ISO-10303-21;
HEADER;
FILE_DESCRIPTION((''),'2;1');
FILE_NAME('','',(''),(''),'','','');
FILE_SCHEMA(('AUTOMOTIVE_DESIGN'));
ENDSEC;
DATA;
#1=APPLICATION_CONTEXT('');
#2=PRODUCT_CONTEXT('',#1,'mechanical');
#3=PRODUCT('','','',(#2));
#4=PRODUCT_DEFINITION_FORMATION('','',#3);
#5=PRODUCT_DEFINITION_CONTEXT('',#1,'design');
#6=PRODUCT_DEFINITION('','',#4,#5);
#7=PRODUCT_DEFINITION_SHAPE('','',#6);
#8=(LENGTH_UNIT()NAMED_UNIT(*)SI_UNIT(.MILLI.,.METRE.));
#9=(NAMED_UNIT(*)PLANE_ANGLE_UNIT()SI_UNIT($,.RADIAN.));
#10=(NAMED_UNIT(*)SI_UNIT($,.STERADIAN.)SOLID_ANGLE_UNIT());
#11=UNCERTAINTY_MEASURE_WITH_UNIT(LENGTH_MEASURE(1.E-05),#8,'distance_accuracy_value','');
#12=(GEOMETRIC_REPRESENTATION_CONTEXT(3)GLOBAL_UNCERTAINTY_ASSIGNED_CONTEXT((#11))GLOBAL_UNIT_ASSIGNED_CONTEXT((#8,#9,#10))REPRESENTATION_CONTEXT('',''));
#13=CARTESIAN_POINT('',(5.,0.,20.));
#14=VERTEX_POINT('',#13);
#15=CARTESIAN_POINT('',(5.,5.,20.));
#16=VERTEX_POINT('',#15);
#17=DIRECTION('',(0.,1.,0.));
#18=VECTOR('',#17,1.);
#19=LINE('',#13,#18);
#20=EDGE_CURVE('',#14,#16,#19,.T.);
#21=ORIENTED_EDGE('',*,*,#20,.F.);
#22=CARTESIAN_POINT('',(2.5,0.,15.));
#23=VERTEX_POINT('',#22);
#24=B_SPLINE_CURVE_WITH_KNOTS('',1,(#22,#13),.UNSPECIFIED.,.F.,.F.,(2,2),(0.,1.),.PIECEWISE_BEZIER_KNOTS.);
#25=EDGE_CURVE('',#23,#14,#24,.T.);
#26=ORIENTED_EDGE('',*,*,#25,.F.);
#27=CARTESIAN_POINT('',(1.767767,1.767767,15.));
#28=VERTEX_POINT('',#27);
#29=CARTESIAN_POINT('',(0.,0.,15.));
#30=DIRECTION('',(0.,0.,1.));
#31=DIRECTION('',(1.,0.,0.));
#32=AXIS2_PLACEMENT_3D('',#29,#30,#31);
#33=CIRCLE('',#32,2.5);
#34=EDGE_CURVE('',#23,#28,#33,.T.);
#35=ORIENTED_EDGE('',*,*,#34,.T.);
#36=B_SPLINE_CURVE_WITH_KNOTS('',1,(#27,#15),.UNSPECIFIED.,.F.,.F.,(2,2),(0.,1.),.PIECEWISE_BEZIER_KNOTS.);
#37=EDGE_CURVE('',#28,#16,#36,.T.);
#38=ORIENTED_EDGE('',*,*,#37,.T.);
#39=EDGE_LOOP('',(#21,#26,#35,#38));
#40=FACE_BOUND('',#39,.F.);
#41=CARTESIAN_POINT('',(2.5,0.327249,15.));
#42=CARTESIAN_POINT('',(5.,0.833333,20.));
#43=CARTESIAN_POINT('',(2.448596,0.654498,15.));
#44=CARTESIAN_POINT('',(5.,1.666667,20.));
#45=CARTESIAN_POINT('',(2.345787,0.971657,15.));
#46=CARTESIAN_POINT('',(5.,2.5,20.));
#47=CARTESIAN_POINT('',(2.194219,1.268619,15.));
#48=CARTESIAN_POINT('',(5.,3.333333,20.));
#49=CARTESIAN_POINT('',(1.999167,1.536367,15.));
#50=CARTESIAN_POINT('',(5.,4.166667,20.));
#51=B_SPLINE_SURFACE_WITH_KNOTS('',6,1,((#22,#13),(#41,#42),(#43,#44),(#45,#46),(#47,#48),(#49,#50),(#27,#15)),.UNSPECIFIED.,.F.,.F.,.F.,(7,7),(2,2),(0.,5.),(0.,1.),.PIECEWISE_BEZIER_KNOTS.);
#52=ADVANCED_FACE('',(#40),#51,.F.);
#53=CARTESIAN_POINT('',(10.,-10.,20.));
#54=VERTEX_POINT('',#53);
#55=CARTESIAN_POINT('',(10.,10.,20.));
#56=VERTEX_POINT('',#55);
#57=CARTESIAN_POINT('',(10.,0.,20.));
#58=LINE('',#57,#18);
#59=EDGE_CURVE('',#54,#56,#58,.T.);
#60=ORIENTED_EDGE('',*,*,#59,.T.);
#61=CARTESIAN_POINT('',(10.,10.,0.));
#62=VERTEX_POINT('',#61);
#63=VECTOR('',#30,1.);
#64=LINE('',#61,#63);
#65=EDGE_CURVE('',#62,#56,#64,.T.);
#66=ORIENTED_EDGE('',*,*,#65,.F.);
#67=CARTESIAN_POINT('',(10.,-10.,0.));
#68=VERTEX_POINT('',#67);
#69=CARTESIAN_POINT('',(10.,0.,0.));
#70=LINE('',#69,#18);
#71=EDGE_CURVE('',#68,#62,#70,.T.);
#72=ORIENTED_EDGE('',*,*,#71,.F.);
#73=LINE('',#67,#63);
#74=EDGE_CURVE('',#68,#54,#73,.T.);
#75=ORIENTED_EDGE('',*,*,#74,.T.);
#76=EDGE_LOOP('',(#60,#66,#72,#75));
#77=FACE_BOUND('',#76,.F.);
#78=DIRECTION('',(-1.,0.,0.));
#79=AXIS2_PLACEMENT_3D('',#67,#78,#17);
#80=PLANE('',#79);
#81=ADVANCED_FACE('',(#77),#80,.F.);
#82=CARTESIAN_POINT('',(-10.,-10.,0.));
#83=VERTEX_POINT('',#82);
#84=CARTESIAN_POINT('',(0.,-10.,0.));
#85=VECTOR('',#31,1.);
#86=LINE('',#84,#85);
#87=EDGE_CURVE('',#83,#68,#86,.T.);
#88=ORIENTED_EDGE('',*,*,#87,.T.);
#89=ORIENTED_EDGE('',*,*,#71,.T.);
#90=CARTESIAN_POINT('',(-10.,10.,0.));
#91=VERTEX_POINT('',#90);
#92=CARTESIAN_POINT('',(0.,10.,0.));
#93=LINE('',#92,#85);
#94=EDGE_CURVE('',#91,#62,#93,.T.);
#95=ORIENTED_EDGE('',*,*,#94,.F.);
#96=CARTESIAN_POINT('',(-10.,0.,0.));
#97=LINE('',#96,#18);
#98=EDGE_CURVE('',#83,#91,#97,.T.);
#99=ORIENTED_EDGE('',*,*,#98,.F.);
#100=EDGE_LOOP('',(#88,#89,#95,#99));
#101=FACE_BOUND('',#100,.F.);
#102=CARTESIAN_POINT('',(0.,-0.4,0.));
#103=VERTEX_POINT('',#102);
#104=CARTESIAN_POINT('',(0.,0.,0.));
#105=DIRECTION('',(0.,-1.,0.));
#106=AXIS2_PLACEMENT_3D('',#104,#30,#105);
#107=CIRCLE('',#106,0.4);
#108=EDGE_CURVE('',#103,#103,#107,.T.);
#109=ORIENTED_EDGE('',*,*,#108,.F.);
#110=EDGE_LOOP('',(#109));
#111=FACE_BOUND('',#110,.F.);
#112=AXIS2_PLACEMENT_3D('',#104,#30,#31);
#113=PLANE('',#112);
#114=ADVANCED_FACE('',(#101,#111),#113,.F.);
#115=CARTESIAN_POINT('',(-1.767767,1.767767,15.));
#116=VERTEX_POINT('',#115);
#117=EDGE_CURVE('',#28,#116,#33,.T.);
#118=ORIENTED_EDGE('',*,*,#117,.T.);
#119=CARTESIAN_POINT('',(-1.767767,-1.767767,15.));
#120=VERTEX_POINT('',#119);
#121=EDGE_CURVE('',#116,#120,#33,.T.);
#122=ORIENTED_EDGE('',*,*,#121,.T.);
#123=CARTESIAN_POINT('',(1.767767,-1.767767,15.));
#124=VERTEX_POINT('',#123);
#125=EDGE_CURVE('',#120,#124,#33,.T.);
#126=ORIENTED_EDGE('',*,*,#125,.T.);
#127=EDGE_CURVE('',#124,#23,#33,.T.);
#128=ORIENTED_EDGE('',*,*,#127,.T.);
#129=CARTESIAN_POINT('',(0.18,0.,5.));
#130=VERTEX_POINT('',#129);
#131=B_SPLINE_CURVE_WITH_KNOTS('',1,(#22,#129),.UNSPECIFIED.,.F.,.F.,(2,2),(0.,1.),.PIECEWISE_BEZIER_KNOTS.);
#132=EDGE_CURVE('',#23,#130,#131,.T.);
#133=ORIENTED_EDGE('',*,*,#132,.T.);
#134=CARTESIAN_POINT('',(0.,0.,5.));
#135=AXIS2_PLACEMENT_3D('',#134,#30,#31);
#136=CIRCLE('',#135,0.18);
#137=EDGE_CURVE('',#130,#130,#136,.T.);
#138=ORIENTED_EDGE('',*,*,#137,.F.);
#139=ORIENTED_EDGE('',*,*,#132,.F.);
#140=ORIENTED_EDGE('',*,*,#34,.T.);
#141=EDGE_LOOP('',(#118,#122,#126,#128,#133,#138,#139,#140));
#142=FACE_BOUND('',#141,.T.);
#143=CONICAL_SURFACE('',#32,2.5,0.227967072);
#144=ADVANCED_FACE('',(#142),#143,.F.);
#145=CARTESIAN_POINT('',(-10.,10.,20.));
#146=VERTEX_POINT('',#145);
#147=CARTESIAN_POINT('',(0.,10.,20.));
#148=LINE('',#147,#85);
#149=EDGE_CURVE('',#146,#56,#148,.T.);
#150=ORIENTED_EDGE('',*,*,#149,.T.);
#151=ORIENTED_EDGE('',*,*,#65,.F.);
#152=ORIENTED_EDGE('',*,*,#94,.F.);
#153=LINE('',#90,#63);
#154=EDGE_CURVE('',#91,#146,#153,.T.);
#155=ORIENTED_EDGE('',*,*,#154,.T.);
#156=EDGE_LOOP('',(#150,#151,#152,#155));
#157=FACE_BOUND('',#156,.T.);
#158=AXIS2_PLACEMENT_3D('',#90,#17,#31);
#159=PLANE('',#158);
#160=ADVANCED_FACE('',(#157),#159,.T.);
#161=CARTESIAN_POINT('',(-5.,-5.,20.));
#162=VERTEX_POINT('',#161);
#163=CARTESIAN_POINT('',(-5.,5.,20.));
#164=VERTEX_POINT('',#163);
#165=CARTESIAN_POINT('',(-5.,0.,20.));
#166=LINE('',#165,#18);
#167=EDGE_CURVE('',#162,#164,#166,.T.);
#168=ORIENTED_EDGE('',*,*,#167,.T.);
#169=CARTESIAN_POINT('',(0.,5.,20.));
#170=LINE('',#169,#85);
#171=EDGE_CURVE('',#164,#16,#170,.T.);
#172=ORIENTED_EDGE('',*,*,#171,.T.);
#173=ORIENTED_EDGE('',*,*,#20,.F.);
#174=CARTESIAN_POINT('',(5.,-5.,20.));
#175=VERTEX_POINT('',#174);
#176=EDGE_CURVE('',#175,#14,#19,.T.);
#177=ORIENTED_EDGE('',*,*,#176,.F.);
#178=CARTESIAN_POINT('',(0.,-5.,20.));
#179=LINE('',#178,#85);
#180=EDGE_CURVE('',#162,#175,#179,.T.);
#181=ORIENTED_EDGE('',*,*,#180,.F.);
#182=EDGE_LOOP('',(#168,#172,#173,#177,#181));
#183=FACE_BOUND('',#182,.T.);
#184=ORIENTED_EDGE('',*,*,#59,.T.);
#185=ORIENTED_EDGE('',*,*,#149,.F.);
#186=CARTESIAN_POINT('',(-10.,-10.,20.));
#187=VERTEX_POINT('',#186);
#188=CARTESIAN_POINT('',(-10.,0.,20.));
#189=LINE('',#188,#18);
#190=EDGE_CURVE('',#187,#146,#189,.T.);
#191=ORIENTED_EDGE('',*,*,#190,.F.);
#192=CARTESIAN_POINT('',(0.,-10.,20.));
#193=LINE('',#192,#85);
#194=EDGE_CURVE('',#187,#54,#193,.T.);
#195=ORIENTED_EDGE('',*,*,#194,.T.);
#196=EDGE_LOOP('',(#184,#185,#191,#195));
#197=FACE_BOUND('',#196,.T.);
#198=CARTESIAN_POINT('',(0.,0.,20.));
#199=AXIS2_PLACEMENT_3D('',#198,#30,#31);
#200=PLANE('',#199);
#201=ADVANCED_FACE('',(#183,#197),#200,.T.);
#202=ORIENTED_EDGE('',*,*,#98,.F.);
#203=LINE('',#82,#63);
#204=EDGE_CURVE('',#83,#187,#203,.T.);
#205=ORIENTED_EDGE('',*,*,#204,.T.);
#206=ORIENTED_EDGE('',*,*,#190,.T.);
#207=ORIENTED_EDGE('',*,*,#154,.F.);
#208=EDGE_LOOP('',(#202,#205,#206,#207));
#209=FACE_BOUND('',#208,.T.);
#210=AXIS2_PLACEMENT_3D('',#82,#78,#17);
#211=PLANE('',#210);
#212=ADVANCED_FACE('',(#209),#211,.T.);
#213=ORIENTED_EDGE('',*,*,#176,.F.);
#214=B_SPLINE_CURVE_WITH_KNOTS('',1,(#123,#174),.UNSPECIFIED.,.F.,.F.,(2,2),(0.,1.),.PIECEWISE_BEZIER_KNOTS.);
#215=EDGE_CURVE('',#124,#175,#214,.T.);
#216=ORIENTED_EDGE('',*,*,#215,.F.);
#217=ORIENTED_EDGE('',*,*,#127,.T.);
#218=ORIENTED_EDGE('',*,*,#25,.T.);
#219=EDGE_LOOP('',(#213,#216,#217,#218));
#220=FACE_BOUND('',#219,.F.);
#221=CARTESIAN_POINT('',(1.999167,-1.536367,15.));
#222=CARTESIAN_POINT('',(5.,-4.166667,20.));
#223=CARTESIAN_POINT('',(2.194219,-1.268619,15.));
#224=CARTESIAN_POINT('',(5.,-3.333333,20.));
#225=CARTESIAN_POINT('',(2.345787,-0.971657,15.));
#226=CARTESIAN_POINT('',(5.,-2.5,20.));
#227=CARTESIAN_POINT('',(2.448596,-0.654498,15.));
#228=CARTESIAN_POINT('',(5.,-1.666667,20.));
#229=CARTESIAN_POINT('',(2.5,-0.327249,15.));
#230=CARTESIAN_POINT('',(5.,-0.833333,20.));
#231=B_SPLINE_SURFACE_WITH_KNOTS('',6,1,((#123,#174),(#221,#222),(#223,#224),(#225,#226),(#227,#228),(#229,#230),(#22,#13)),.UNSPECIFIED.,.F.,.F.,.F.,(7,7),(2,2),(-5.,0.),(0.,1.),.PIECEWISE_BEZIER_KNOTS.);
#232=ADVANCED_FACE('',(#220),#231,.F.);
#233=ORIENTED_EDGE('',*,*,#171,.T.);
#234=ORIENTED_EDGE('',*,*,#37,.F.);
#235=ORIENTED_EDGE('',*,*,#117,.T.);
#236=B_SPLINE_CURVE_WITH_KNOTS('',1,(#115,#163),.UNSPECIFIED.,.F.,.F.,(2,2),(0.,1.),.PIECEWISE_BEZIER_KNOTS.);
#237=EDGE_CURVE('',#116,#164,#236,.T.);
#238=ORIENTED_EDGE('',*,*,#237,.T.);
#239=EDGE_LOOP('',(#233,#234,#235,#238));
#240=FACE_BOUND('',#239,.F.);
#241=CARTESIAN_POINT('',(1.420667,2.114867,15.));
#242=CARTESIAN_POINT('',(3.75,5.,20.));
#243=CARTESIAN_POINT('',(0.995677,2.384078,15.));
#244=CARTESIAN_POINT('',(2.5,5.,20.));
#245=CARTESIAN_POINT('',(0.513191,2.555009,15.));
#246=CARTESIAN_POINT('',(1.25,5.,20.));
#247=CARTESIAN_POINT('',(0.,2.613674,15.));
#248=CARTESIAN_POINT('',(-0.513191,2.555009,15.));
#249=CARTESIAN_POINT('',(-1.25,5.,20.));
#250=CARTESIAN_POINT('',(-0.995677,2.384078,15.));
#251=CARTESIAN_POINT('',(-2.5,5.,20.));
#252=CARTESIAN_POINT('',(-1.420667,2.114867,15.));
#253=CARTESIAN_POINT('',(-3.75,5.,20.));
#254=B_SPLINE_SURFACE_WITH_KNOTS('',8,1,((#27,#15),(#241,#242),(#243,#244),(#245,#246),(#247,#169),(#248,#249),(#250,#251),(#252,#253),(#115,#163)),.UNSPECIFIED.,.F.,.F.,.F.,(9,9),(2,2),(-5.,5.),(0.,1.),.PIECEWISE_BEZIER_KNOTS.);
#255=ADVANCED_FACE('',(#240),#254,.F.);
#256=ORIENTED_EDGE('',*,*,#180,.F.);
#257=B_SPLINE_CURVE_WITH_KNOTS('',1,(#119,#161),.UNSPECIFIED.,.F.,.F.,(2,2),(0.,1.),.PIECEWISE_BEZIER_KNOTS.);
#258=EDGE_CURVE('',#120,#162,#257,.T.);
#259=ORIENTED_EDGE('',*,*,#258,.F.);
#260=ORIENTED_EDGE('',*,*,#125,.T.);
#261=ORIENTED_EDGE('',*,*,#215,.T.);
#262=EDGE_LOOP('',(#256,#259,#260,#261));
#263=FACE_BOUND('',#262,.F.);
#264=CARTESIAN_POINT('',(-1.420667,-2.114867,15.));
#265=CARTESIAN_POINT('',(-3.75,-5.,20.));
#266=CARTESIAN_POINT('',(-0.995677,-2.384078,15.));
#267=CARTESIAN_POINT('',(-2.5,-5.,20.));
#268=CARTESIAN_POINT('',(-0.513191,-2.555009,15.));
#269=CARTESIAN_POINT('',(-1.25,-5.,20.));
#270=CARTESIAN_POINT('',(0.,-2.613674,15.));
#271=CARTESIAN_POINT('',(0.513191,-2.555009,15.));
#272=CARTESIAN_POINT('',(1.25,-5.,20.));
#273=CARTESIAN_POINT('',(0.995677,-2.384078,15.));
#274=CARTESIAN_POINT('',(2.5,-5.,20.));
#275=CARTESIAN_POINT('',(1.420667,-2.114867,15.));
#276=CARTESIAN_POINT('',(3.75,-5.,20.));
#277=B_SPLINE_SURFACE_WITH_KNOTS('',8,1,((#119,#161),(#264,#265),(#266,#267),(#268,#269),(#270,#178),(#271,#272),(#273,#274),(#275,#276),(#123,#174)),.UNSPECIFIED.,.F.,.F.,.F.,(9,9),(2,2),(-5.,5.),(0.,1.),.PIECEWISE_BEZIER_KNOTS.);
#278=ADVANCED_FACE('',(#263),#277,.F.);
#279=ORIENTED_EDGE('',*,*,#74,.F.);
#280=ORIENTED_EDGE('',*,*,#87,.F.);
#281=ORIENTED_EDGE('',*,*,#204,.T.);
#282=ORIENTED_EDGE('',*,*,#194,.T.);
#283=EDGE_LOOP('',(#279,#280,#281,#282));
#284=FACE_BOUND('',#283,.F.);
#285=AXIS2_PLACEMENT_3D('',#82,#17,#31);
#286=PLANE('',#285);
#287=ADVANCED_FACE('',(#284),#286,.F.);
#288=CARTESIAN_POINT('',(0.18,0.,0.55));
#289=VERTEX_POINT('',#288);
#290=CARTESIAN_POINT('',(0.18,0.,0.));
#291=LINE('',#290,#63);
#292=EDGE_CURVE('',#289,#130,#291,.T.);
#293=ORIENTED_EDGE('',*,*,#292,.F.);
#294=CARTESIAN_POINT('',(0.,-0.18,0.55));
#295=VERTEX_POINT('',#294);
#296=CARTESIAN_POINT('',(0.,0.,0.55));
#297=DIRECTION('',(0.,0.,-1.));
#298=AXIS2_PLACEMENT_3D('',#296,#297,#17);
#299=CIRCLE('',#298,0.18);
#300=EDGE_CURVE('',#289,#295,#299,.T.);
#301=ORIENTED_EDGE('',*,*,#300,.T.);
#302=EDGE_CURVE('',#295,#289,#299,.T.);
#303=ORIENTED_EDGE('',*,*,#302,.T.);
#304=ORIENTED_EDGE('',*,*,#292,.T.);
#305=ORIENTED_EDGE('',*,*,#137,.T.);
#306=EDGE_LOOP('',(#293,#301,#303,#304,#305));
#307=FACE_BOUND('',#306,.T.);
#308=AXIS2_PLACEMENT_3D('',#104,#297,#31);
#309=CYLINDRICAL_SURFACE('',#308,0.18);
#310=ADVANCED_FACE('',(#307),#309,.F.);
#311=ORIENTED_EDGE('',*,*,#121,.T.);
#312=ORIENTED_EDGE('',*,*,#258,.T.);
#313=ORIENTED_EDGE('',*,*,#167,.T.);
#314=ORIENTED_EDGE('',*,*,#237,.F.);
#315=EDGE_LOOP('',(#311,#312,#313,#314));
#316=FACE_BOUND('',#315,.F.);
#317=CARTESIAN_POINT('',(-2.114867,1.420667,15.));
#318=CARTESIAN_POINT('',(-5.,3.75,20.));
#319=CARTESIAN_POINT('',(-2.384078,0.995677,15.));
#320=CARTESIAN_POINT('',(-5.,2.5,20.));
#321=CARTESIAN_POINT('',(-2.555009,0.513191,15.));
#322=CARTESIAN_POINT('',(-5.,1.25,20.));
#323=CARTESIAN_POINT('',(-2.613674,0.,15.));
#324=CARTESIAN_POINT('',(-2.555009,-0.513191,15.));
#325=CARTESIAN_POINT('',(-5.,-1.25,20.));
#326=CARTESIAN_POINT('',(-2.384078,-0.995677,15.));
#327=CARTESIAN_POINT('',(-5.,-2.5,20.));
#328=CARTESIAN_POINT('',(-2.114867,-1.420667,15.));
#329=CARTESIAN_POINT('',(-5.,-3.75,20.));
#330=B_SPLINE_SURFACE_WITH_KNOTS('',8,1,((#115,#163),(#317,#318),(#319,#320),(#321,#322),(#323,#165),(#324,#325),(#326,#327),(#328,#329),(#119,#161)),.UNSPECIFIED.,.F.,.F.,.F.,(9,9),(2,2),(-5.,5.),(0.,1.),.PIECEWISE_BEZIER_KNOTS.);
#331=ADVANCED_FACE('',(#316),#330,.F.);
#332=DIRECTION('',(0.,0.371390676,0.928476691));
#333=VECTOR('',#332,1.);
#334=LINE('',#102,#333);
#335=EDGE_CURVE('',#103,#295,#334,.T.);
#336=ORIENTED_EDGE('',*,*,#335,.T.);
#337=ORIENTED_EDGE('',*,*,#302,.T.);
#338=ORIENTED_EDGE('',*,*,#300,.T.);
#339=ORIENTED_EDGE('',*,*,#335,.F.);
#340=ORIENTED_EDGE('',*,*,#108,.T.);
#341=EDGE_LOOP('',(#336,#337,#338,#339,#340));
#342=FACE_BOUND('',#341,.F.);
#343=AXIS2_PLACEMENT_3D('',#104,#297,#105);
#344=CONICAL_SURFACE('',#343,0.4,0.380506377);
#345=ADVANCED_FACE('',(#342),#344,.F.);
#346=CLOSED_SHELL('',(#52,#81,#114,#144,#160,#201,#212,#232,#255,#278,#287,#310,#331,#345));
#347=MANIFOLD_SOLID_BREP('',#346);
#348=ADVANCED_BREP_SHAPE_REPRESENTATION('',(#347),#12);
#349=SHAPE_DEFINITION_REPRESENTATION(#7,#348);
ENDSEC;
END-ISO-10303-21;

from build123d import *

# Parameters (mm, degrees)
F0_W     = 20
F0_H     = 20
F0_R     = 0.18
F1_DEPTH = 20
F4_R     = 2.5
F2_W     = 10
F2_H     = 10
F6_R     = 0.18


with BuildPart() as f1:
    # F0 (on Top) → F1 (new body)
    with BuildSketch(Plane.XY):
        Rectangle(F0_W, F0_H)
        Circle(F0_R, mode=Mode.SUBTRACT)
    extrude(amount=F1_DEPTH)

    # F4 (on offset) → F7 section 0
    with BuildSketch(Plane.XY.offset(15)):
        Circle(F4_R)
    # F2 (on face) → F7 section 1
    with BuildSketch(Plane.XY.offset(20)):
        Rectangle(F2_W, F2_H)
    loft(mode=Mode.SUBTRACT)

    # F4 (on offset) → F8 section 0
    with BuildSketch(Plane.XY.offset(15)):
        Circle(F4_R)
    # F6 (on offset) → F8 section 1
    with BuildSketch(Plane.XY.offset(5)):
        Circle(F6_R)
    loft(mode=Mode.SUBTRACT)

    # F10 (on offset) → F11 (revolve, cut)
    with BuildSketch(Plane(origin=(0, 0, 0), x_dir=(0, -1, 0), z_dir=(-1, 0, 0))):
        Polygon((0.4, 0), (0, 1), (0, 0), align=None)
    revolve(axis=Axis((0, 0, 0.5), (0, 0, 1)), mode=Mode.SUBTRACT)


solid = f1.part
